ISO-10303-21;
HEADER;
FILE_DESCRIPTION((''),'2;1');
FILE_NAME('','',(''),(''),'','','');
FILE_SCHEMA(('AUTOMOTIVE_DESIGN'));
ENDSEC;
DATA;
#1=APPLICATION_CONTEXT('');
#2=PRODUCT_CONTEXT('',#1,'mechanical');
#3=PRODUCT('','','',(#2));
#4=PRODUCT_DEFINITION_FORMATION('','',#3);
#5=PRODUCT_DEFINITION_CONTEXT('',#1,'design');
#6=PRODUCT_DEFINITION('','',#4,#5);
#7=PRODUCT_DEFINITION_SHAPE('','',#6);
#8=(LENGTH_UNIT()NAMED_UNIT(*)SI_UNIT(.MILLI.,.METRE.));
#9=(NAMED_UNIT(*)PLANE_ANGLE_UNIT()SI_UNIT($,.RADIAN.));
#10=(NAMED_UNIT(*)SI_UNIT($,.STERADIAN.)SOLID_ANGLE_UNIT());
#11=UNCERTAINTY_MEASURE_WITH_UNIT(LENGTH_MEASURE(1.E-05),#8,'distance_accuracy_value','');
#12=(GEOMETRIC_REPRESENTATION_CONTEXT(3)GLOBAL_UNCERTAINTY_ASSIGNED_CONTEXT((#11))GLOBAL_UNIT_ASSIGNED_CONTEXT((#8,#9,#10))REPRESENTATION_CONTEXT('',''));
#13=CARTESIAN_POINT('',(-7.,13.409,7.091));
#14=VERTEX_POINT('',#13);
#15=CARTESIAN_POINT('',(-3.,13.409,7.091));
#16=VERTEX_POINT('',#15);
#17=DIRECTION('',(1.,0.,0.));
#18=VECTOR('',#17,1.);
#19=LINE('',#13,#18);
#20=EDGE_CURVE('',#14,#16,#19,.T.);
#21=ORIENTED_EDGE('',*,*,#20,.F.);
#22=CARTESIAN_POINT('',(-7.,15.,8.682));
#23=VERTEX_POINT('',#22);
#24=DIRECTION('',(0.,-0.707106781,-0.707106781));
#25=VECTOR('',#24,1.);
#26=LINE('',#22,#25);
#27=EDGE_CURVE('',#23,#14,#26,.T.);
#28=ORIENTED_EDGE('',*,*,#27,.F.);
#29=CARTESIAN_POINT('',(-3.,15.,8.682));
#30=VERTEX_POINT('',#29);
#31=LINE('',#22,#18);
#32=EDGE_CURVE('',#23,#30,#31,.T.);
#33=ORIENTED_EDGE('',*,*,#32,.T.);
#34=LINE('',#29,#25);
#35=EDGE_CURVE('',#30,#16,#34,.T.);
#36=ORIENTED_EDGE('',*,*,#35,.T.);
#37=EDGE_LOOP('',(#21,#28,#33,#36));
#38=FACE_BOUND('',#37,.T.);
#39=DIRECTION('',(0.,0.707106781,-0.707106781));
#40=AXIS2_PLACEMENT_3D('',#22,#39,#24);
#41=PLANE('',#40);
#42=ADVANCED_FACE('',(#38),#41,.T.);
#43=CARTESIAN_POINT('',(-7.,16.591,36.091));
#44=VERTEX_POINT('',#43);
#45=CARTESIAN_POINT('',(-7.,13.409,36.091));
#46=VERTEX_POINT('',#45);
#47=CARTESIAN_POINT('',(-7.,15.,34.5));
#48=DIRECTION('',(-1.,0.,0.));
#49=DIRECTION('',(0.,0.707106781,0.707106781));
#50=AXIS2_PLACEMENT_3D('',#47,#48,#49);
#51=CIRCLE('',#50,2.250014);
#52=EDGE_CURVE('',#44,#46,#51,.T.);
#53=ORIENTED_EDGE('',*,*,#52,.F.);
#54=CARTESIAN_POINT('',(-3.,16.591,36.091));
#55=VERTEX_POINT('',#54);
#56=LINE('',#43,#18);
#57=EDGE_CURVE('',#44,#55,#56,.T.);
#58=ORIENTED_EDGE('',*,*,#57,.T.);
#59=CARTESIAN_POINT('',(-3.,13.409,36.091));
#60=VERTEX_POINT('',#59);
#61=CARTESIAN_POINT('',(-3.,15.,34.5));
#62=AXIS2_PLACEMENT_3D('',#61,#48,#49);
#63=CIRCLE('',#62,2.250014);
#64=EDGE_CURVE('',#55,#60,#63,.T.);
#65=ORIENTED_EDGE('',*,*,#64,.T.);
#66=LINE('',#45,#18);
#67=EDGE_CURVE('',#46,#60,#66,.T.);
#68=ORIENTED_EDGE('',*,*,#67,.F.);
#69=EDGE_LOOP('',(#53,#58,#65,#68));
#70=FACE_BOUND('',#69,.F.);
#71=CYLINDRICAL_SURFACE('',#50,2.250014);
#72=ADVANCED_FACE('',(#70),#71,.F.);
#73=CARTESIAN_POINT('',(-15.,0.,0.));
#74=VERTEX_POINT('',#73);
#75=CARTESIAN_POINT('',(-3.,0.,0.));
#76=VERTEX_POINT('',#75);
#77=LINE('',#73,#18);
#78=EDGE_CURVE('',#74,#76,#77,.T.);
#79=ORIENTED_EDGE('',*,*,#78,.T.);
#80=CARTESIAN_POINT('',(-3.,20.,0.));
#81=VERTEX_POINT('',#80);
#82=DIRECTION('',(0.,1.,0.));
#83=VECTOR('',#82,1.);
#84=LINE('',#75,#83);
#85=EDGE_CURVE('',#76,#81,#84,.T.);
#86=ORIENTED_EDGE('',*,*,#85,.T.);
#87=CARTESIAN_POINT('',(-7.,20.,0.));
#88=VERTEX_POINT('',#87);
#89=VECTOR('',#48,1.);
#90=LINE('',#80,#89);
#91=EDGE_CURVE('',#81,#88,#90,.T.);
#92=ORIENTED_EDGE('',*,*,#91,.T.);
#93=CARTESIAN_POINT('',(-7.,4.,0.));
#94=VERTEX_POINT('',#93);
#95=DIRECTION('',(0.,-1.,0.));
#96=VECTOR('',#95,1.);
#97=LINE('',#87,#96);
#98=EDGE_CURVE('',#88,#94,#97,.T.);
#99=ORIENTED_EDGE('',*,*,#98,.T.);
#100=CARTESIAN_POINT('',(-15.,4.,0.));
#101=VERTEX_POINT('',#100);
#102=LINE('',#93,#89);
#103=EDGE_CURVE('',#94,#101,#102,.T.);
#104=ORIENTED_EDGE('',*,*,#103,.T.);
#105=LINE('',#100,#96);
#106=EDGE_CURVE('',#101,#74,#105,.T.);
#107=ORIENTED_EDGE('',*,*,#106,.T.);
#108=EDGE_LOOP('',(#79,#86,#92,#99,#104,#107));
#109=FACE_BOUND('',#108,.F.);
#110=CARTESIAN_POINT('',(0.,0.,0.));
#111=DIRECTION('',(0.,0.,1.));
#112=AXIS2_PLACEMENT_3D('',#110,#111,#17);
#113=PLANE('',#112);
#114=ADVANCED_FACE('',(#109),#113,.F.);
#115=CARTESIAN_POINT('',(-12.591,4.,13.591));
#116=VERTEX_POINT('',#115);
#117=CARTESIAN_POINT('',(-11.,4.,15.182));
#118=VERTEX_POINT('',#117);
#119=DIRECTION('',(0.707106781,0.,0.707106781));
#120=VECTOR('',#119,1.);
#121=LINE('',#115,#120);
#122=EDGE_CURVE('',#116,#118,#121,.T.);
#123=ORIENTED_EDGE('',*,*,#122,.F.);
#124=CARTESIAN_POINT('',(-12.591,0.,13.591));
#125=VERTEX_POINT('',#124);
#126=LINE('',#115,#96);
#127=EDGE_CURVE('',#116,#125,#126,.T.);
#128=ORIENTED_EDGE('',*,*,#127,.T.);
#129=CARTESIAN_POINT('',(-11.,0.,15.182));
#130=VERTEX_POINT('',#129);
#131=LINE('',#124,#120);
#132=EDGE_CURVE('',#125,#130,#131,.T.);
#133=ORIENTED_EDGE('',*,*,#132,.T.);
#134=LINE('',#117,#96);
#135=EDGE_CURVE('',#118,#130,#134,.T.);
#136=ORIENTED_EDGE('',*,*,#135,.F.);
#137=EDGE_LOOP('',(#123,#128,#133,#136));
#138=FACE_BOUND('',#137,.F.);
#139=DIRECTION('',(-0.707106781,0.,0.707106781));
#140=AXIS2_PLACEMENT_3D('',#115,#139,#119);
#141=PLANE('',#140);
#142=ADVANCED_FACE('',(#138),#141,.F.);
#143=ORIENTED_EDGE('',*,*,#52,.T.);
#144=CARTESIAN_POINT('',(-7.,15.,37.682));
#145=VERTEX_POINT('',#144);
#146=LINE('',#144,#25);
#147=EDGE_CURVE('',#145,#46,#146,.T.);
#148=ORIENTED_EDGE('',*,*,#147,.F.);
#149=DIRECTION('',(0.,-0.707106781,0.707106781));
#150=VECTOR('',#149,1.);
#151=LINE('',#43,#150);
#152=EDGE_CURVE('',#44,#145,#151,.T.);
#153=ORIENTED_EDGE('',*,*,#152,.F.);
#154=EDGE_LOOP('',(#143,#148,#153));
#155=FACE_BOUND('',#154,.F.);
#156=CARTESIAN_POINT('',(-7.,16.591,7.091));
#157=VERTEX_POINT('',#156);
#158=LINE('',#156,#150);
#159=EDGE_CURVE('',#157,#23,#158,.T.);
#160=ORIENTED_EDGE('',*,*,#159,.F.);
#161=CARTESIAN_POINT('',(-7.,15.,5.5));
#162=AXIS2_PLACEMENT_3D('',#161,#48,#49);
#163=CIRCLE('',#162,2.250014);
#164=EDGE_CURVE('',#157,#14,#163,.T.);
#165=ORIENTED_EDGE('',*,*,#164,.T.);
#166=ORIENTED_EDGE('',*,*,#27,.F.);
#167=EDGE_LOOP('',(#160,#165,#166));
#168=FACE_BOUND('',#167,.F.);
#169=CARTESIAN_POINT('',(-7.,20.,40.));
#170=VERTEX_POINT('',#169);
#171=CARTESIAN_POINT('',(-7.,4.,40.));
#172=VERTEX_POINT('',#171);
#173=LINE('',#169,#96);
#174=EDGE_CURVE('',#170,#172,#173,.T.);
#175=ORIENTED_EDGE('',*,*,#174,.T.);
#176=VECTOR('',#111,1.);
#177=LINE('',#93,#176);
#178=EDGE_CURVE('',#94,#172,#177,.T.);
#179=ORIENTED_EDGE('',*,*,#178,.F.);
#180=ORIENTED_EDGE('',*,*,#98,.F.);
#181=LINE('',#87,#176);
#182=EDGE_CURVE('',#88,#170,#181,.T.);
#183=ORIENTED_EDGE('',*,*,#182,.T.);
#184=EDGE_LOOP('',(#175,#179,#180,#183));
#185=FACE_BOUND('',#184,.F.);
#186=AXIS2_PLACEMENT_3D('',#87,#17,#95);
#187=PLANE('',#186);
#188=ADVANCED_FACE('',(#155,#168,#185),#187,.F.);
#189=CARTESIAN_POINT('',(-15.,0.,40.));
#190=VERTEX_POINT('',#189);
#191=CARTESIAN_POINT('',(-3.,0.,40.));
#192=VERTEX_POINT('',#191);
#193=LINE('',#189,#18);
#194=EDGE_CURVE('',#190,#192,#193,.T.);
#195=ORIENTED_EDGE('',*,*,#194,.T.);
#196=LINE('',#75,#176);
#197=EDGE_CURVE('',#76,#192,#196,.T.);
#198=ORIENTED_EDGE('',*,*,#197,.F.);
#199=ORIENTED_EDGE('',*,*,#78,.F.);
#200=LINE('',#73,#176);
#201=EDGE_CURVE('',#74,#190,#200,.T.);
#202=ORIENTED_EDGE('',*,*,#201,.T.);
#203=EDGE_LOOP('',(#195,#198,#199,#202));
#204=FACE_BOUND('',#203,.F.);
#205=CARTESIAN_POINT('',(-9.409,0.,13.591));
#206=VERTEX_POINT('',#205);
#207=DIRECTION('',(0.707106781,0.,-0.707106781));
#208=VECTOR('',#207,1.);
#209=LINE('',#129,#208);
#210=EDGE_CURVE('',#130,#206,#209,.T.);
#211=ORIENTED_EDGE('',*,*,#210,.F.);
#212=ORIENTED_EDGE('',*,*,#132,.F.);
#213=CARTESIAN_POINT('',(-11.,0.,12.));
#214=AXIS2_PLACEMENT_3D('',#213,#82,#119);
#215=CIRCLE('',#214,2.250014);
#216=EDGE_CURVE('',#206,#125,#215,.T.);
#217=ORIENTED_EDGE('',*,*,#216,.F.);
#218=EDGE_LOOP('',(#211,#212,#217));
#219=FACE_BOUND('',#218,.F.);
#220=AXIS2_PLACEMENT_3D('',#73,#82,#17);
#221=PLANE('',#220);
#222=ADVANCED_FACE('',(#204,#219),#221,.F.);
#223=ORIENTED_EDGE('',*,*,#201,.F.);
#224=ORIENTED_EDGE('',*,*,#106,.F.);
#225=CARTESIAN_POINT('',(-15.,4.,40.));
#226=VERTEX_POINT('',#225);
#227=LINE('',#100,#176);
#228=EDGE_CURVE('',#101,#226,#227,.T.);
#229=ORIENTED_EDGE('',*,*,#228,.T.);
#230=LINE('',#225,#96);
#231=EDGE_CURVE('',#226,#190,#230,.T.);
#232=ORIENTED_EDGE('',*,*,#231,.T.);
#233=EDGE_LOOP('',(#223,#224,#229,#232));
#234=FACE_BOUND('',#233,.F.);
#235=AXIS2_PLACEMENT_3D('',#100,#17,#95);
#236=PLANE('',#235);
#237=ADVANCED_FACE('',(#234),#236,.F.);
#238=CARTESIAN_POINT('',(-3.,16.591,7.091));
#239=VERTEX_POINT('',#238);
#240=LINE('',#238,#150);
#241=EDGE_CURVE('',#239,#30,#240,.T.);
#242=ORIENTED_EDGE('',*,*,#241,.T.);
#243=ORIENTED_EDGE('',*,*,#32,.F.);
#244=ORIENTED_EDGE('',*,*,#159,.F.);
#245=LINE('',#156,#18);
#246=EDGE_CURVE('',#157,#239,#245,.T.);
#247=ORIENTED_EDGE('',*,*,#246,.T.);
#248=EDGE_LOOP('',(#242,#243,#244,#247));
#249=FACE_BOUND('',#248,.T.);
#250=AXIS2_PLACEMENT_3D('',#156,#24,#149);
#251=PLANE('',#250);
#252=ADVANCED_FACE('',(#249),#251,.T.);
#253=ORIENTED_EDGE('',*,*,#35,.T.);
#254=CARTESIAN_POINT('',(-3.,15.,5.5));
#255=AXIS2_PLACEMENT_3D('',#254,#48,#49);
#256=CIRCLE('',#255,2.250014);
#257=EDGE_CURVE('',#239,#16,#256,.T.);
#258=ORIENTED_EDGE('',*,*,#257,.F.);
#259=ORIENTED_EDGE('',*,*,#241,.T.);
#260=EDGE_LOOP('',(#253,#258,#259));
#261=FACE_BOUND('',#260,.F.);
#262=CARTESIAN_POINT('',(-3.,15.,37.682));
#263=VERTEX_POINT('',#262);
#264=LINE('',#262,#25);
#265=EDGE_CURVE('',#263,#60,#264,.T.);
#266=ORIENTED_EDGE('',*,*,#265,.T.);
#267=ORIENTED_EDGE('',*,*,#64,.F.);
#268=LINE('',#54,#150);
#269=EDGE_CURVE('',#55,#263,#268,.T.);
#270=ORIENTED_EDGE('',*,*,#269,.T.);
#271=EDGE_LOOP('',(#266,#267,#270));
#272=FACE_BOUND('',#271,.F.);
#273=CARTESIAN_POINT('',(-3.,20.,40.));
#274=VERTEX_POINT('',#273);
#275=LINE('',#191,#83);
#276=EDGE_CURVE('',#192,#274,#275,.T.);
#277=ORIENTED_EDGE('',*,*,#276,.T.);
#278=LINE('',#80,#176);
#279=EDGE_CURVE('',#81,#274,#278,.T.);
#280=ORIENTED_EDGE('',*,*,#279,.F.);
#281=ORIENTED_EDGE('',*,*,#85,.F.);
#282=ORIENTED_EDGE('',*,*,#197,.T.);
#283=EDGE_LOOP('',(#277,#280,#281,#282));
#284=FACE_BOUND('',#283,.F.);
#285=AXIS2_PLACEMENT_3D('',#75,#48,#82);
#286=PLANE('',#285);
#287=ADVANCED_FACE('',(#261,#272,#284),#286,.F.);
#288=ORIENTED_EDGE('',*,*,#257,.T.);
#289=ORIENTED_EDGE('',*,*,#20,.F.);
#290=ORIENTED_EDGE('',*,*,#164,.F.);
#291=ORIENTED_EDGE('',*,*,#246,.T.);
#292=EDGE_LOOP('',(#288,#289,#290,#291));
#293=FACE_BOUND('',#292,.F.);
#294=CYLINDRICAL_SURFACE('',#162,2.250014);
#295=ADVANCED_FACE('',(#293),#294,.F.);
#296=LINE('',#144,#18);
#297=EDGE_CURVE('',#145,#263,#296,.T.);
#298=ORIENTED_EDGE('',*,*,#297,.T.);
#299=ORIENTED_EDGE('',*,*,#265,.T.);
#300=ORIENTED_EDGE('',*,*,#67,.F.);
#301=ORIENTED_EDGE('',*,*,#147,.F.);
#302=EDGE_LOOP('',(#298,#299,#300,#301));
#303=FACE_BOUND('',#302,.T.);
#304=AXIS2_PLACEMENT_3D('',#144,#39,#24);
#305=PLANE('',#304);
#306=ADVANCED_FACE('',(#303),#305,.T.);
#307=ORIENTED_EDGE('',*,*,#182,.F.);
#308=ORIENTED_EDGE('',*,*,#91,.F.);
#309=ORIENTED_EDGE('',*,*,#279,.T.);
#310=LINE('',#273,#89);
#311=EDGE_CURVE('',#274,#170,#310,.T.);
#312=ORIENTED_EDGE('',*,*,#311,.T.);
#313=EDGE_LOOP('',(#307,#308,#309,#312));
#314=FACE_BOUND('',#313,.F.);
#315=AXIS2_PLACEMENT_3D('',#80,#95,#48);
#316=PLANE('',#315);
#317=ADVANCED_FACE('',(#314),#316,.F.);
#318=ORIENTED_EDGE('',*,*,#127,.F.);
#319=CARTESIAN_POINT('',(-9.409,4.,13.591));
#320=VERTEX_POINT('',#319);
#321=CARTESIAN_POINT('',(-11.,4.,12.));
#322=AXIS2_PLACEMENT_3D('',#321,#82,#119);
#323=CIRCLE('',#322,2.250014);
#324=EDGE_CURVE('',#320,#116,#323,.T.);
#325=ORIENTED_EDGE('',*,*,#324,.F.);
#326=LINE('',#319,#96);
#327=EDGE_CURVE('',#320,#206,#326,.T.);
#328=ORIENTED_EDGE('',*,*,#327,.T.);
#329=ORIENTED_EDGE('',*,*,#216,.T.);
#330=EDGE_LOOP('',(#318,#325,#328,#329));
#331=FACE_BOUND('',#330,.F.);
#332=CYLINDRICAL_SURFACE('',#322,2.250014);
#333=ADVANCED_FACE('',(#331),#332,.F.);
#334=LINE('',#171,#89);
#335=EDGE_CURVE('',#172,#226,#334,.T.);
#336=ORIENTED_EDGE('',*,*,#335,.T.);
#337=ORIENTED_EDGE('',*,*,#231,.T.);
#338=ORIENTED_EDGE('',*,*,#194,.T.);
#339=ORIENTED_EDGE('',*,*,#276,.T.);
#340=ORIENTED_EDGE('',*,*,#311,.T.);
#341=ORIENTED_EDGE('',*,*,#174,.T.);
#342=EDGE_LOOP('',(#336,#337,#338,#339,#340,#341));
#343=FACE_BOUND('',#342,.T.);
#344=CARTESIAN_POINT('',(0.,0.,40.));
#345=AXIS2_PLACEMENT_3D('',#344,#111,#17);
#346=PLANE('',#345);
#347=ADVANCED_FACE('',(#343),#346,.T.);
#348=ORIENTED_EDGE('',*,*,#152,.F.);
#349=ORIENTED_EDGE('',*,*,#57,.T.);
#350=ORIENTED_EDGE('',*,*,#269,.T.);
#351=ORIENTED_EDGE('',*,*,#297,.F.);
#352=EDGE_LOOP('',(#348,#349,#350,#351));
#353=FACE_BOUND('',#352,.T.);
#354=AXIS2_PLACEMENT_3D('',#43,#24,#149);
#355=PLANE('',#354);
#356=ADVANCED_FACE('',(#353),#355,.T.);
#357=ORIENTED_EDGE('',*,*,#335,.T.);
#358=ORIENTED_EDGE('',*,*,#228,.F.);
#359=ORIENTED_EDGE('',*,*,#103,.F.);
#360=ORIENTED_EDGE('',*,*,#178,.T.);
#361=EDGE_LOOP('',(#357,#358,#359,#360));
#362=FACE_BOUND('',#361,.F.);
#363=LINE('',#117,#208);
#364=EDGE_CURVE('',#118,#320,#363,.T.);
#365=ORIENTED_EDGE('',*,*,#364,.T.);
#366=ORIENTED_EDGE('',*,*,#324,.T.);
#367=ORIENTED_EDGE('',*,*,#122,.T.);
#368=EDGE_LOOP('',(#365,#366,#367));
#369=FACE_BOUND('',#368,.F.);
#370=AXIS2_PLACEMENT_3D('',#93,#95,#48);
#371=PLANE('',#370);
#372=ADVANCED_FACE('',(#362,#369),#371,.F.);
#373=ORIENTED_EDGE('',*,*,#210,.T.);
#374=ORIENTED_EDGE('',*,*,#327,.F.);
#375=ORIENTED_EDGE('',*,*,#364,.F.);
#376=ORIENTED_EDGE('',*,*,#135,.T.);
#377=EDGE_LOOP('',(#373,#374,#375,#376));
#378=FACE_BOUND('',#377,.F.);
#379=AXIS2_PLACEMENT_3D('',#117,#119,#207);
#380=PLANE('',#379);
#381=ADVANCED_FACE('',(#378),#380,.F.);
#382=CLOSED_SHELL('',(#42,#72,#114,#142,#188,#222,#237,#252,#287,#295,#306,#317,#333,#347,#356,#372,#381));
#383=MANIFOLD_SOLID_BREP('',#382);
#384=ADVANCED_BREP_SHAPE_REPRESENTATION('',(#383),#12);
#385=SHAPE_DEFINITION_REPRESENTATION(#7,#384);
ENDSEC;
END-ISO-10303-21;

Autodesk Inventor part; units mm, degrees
ref_plane "YZ Plane" through (0, 0, 0) normal (1, 0, 0) x (0, 1, 0)
ref_plane "XZ Plane" through (0, 0, 0) normal (0, 1, 0) x (-1, 0, 0)
ref_plane "XY Plane" through (0, 0, 0) normal (0, 0, 1) x (1, 0, 0)
sketch "Sketch1" plane through (0, 0, 0) normal (0, 0, 1) x (1, 0, 0)
  line L0 (-3, 0) -> (-3, 20)
  line L1 (-15, 0) -> (-3, 0)
  line L2 (-15, 4) -> (-15, 0)
  line L3 (-7, 4) -> (-15, 4)
  line L4 (-7, 20) -> (-7, 4)
  line L5 (-3, 20) -> (-7, 20)
extrude "Extrusion4" add sketch "Sketch1" along normal blind 40
sketch "Sketch2" plane through (-15, 4, 0) normal (0, 1, 0) x (1, 0, 0)
  arc A0 (5.591, -13.591) -> (2.409, -13.591) centre (4, -12) ccw
  line L0 (4, -15.182) -> (5.591, -13.591)
  line L1 (2.409, -13.591) -> (4, -15.182)
extrude "Extrusion3" cut sketch "Sketch2" against normal blind 4
sketch "Sketch3" plane through (-7, 4, 0) normal (-1, 0, 0) x (0, 0, 1)
  arc A0 (7.091, 12.591) -> (7.091, 9.409) centre (5.5, 11) ccw
  line L0 (8.682, 11) -> (7.091, 9.409)
  line L1 (7.091, 12.591) -> (8.682, 11)
extrude "Extrusion2" cut sketch "Sketch3" against normal blind 4 draft 0
sketch "Sketch4" plane through (-7, 4, 0) normal (-1, 0, 0) x (0, 0, 1)
  arc A0 (36.091, 12.591) -> (36.091, 9.409) centre (34.5, 11) ccw
  line L0 (37.682, 11) -> (36.091, 9.409)
  line L1 (36.091, 12.591) -> (37.682, 11)
extrude "Extrusion1" cut sketch "Sketch4" against normal blind 4 draft 0
properties part number "Y-axis Belt Idler 1" material "ABS Plastic"
